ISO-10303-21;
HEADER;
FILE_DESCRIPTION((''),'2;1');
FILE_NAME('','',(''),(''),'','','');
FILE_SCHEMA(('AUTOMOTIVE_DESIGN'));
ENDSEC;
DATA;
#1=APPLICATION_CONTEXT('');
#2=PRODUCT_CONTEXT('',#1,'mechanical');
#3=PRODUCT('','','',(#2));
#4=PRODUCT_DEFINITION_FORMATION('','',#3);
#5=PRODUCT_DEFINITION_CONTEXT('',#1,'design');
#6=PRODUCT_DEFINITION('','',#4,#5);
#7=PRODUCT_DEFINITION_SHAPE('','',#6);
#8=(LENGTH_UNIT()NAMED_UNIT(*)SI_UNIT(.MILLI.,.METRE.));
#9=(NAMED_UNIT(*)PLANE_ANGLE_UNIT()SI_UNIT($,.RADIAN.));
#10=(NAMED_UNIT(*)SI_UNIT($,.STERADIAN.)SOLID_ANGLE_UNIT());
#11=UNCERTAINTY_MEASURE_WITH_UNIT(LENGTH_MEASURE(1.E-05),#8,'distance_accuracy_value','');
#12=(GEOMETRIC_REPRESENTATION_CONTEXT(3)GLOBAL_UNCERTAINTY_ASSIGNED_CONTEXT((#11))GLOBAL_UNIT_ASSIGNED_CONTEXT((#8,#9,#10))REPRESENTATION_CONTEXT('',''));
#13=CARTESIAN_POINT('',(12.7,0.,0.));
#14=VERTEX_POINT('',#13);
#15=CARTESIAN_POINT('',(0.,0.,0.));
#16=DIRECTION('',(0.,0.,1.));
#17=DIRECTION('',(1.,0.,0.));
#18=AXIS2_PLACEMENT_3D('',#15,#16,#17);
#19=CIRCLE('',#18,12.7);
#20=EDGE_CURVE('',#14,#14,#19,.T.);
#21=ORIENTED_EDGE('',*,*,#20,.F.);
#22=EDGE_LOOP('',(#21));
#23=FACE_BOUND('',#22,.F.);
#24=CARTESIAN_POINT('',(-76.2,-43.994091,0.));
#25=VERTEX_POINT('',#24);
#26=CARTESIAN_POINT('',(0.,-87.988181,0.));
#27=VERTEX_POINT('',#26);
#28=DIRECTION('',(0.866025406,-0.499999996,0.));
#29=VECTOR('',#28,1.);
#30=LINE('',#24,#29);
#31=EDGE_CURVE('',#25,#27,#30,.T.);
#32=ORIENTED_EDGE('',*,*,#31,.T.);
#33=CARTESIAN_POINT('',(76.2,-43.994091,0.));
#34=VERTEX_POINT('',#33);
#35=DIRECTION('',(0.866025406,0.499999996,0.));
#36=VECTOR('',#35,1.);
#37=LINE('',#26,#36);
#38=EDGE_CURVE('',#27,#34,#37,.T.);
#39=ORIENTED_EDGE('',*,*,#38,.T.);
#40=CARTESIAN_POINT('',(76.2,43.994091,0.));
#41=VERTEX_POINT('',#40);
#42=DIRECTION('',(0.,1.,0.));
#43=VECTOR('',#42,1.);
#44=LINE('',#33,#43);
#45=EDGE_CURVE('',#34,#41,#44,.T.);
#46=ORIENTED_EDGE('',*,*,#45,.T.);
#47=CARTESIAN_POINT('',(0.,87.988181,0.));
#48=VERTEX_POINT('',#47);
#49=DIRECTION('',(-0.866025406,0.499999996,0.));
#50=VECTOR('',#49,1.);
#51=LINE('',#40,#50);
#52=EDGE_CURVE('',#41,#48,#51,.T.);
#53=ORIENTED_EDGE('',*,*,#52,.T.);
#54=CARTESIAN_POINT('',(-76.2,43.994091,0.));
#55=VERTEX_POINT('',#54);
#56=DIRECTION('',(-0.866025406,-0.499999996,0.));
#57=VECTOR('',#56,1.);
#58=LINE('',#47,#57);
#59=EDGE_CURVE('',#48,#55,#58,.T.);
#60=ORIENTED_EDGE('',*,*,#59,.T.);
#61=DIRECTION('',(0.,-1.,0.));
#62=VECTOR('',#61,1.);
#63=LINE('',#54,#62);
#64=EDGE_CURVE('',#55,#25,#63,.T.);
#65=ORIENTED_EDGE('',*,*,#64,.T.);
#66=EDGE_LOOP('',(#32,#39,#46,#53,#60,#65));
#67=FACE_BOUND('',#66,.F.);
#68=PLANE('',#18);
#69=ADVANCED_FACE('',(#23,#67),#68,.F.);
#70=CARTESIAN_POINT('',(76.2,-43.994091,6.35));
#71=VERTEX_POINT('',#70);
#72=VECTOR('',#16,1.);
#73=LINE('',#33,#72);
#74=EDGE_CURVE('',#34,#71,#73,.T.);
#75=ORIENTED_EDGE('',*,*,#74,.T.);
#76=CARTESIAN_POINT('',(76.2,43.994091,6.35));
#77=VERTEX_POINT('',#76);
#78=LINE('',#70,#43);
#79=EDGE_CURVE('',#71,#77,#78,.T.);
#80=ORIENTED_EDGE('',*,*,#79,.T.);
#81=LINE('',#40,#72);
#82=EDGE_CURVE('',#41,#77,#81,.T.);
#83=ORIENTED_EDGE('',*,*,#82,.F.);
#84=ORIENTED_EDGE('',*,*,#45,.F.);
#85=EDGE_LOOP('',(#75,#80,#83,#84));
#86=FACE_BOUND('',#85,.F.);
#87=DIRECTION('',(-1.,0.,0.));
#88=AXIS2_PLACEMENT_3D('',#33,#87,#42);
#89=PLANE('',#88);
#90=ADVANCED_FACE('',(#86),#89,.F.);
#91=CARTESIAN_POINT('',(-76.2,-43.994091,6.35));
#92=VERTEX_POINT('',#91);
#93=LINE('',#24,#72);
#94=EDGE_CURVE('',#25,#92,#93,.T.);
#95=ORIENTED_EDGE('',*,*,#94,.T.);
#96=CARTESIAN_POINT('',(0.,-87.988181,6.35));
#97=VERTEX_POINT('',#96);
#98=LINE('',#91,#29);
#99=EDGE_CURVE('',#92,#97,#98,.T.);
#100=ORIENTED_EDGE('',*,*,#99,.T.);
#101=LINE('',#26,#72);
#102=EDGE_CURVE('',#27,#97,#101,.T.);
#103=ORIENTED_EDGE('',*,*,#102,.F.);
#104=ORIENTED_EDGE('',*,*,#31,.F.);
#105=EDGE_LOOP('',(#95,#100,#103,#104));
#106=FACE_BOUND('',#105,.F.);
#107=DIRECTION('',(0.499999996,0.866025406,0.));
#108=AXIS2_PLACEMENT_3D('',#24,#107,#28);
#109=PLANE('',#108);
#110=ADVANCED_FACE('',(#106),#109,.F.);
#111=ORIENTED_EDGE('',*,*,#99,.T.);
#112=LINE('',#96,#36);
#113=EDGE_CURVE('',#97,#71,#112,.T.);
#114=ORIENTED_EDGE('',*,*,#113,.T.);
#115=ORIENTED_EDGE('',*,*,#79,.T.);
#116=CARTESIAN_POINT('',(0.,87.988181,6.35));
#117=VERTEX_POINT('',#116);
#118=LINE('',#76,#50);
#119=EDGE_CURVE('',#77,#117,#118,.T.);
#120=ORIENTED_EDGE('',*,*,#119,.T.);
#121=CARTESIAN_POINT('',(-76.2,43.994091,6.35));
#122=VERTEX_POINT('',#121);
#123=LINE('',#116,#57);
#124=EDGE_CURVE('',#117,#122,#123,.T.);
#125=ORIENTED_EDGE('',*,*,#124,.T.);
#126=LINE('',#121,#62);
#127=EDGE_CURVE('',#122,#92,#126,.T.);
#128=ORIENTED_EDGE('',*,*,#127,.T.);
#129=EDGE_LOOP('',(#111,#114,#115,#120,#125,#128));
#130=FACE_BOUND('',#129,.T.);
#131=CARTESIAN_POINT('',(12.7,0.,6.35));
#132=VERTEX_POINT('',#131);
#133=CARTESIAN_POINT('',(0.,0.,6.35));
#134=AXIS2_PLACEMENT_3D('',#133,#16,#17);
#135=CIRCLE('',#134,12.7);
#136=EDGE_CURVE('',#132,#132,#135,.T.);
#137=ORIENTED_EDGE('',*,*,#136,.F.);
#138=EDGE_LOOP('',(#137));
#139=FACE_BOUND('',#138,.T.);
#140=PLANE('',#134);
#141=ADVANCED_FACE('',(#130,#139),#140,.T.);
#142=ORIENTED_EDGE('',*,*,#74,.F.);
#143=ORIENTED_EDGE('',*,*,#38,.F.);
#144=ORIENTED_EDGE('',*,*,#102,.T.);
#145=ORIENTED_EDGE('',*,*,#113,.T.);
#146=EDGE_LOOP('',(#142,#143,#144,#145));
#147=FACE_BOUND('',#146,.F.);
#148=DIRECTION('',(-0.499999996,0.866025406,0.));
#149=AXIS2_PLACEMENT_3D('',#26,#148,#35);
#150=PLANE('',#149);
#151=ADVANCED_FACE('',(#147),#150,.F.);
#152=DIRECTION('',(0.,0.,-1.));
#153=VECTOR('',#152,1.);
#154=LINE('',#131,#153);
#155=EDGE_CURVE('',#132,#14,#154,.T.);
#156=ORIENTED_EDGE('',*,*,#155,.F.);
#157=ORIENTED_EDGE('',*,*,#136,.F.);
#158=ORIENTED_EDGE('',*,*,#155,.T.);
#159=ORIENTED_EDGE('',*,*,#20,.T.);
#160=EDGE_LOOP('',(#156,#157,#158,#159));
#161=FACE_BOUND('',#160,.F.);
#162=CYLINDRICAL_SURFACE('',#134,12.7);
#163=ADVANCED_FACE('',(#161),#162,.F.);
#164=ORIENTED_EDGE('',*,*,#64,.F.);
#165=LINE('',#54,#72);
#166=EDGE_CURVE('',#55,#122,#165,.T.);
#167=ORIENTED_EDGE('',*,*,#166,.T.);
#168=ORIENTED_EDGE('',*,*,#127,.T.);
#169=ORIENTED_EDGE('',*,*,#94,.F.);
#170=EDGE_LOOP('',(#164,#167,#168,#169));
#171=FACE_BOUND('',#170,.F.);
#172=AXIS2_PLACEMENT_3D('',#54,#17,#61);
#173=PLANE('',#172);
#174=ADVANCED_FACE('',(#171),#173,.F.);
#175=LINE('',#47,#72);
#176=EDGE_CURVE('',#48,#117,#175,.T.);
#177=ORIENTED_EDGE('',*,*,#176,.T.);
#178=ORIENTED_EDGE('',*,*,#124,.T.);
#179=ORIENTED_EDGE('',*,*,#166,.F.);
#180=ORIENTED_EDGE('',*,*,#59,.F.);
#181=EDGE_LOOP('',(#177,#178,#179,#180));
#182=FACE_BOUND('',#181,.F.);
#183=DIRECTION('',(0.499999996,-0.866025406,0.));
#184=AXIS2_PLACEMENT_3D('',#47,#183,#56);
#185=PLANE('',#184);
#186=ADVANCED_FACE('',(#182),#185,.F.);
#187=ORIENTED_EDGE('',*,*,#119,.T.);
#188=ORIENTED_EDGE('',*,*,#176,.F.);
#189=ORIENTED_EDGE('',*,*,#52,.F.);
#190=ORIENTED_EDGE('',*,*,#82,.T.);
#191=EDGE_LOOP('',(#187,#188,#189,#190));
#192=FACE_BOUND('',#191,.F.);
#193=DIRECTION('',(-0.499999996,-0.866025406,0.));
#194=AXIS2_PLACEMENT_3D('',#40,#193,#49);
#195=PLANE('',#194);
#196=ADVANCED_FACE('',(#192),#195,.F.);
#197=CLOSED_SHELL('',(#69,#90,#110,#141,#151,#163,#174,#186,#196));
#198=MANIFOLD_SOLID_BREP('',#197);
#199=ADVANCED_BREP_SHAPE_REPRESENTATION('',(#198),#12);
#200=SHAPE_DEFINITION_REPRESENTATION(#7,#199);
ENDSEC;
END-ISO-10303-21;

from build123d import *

# Parameters (mm, degrees)
F1_DEPTH = 6.35
F2_R     = 12.7
F3_DEPTH = 25.4


with BuildPart() as f1:
    # F0 (on Top) → F1 (new body)
    with BuildSketch(Plane.XY):
        Polygon((0, -87.988181), (76.2, -43.994091), (76.2, 43.994091), (0, 87.988181), (-76.2, 43.994091), (-76.2, -43.994091), align=None)
    extrude(amount=F1_DEPTH)

    # F2 (on face) → F3 (cut)
    with BuildSketch(Plane.XY.offset(6.35)):
        Circle(F2_R)
    extrude(amount=-F3_DEPTH, mode=Mode.SUBTRACT)


solid = f1.part
